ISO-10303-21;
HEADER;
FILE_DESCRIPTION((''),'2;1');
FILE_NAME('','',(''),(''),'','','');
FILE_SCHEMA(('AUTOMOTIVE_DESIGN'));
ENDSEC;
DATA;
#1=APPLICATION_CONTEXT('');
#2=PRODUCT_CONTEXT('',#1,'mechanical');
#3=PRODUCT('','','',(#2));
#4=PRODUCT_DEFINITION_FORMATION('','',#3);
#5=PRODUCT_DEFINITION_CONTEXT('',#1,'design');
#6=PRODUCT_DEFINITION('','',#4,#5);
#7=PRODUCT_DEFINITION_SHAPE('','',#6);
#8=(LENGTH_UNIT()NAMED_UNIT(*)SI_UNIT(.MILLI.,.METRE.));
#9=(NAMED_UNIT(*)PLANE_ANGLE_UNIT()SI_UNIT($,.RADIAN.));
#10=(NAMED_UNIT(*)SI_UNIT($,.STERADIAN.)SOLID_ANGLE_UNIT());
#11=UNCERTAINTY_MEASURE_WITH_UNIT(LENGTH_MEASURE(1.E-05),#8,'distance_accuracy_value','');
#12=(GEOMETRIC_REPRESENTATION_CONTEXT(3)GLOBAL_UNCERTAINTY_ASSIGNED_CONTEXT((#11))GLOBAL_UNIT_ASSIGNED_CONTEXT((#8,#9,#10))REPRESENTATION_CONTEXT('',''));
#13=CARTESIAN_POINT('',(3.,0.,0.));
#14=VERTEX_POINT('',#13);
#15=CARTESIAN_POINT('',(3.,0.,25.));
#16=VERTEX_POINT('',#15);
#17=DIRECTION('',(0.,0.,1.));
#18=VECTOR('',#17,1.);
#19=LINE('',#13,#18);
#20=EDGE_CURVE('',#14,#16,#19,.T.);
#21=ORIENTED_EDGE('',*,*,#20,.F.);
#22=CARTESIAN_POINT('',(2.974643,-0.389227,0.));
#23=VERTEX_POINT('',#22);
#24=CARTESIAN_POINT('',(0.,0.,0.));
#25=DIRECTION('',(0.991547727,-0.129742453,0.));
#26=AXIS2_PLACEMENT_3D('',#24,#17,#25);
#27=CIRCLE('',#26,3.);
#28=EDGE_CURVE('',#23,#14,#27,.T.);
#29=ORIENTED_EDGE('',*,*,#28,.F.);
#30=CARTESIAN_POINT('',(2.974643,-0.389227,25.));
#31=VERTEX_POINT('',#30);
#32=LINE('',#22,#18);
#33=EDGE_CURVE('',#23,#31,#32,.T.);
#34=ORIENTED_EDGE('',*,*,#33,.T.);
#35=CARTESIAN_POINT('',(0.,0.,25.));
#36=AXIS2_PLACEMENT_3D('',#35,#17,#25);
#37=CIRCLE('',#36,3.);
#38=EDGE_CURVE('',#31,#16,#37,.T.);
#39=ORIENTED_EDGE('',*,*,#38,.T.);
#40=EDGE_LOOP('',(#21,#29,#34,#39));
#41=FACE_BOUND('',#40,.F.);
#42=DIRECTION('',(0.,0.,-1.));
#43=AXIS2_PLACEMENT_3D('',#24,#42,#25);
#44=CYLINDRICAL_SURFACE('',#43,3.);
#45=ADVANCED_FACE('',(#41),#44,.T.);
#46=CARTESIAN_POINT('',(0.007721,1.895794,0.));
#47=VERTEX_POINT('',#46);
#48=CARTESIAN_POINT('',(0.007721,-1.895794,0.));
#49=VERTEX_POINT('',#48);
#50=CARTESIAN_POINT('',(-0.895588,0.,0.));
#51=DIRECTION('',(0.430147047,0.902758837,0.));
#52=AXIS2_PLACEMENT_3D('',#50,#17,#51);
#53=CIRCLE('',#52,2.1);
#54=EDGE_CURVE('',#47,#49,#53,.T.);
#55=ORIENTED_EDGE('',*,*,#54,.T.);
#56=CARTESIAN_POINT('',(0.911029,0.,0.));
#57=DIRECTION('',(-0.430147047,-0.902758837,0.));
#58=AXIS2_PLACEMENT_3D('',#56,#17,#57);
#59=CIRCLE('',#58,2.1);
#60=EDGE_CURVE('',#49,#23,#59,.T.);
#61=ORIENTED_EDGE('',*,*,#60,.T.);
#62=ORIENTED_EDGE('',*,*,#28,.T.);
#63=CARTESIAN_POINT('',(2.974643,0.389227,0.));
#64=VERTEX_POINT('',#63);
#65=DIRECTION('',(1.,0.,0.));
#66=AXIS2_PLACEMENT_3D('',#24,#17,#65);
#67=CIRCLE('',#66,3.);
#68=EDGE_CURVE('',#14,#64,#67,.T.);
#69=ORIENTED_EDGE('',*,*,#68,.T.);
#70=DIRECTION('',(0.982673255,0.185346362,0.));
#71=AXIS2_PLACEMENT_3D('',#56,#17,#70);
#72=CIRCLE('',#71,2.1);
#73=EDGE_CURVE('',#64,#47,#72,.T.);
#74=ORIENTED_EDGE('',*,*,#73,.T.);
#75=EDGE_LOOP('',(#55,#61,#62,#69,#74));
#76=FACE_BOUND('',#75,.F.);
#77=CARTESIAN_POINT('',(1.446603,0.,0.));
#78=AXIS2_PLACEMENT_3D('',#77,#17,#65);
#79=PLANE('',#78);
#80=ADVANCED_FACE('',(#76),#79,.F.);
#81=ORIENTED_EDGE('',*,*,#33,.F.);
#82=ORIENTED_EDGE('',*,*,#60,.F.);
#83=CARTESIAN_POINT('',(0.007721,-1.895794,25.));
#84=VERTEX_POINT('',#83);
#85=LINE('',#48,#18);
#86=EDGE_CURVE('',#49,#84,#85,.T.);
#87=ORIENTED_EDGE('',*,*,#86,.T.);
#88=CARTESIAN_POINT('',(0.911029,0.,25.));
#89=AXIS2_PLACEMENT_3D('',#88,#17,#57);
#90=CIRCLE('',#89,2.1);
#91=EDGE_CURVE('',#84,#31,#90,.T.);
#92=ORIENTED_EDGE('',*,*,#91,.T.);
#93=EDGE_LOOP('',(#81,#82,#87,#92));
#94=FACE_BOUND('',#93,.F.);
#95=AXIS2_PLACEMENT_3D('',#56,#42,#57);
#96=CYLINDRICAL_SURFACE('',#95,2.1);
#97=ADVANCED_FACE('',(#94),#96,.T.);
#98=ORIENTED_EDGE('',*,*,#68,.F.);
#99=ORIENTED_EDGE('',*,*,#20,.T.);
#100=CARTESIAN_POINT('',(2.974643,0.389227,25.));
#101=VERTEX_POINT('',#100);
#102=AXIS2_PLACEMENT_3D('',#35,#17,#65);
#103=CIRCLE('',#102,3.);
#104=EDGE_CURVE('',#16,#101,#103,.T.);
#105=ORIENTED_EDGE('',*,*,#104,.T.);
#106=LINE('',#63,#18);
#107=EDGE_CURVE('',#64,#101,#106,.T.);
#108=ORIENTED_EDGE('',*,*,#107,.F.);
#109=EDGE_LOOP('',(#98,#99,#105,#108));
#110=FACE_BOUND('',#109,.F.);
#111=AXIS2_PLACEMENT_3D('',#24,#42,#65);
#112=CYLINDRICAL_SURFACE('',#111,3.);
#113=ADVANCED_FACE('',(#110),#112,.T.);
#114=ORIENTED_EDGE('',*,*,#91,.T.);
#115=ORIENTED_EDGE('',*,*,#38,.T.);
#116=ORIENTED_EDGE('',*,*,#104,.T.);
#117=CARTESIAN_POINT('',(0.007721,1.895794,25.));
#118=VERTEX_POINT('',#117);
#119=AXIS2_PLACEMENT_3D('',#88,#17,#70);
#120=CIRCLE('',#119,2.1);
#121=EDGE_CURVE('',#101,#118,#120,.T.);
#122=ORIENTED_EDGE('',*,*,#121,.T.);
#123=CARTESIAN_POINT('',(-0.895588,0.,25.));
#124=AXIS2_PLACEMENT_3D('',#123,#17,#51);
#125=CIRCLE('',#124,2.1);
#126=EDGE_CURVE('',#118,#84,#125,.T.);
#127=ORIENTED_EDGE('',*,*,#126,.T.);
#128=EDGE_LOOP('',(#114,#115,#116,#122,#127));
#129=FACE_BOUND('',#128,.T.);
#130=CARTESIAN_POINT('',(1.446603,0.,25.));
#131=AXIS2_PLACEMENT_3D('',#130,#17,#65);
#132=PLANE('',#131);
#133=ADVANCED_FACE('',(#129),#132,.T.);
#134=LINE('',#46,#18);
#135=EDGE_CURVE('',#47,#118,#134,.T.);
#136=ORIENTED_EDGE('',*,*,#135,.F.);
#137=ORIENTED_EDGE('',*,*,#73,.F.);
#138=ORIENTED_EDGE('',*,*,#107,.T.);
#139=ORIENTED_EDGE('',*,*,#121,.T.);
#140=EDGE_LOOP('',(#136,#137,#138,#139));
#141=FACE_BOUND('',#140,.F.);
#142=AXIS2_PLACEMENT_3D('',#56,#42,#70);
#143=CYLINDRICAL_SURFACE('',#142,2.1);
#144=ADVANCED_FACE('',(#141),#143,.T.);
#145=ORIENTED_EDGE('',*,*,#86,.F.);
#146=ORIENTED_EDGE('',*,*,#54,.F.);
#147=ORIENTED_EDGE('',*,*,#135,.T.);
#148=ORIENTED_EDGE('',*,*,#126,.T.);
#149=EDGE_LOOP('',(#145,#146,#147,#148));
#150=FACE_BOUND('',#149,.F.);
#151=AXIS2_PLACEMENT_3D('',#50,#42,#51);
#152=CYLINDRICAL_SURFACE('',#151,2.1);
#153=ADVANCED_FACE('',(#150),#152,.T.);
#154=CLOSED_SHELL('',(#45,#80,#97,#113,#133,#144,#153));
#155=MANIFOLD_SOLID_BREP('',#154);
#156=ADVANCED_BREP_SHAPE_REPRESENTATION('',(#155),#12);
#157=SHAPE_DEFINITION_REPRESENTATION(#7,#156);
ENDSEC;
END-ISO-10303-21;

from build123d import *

# Parameters (mm, degrees)
F1_DEPTH = 25


with BuildPart() as f1:
    # F0 (on Top) → F1 (new body)
    with BuildSketch(Plane.XY):
        with BuildLine():
            ThreePointArc((2.9746431824, -0.3892273592), (2.9936540838, -0.1950262196), (3, 0))
            ThreePointArc((3, 0), (2.9936540838, 0.1950262196), (2.9746431824, 0.3892273592))
            ThreePointArc((2.9746431824, 0.3892273592), (1.8618249989, 1.8724282704), (0.0077205477, 1.8957935577))
            ThreePointArc((0.0077205477, 1.8957935577), (0.8802141699, 1.1209485987), (1.2044117487, 0))
            ThreePointArc((1.2044117487, 0), (0.8802141699, -1.1209485987), (0.0077205477, -1.8957935577))
            ThreePointArc((0.0077205477, -1.8957935577), (1.8618249989, -1.8724282704), (2.9746431824, -0.3892273592))
        make_face()
        with BuildLine():
            ThreePointArc((0.0077205477, -1.8957935577), (-1.1889706532, 0), (0.0077205477, 1.8957935577))
            ThreePointArc((0.0077205477, 1.8957935577), (-2.9955882513, 0), (0.0077205477, -1.8957935577))
        make_face()
        with BuildLine():
            ThreePointArc((1.2044117487, 0), (0.8802141699, 1.1209485987), (0.0077205477, 1.8957935577))
            ThreePointArc((0.0077205477, 1.8957935577), (-1.1889706532, 0), (0.0077205477, -1.8957935577))
            ThreePointArc((0.0077205477, -1.8957935577), (0.8802141699, -1.1209485987), (1.2044117487, 0))
        make_face()
    extrude(amount=F1_DEPTH)


solid = f1.part
